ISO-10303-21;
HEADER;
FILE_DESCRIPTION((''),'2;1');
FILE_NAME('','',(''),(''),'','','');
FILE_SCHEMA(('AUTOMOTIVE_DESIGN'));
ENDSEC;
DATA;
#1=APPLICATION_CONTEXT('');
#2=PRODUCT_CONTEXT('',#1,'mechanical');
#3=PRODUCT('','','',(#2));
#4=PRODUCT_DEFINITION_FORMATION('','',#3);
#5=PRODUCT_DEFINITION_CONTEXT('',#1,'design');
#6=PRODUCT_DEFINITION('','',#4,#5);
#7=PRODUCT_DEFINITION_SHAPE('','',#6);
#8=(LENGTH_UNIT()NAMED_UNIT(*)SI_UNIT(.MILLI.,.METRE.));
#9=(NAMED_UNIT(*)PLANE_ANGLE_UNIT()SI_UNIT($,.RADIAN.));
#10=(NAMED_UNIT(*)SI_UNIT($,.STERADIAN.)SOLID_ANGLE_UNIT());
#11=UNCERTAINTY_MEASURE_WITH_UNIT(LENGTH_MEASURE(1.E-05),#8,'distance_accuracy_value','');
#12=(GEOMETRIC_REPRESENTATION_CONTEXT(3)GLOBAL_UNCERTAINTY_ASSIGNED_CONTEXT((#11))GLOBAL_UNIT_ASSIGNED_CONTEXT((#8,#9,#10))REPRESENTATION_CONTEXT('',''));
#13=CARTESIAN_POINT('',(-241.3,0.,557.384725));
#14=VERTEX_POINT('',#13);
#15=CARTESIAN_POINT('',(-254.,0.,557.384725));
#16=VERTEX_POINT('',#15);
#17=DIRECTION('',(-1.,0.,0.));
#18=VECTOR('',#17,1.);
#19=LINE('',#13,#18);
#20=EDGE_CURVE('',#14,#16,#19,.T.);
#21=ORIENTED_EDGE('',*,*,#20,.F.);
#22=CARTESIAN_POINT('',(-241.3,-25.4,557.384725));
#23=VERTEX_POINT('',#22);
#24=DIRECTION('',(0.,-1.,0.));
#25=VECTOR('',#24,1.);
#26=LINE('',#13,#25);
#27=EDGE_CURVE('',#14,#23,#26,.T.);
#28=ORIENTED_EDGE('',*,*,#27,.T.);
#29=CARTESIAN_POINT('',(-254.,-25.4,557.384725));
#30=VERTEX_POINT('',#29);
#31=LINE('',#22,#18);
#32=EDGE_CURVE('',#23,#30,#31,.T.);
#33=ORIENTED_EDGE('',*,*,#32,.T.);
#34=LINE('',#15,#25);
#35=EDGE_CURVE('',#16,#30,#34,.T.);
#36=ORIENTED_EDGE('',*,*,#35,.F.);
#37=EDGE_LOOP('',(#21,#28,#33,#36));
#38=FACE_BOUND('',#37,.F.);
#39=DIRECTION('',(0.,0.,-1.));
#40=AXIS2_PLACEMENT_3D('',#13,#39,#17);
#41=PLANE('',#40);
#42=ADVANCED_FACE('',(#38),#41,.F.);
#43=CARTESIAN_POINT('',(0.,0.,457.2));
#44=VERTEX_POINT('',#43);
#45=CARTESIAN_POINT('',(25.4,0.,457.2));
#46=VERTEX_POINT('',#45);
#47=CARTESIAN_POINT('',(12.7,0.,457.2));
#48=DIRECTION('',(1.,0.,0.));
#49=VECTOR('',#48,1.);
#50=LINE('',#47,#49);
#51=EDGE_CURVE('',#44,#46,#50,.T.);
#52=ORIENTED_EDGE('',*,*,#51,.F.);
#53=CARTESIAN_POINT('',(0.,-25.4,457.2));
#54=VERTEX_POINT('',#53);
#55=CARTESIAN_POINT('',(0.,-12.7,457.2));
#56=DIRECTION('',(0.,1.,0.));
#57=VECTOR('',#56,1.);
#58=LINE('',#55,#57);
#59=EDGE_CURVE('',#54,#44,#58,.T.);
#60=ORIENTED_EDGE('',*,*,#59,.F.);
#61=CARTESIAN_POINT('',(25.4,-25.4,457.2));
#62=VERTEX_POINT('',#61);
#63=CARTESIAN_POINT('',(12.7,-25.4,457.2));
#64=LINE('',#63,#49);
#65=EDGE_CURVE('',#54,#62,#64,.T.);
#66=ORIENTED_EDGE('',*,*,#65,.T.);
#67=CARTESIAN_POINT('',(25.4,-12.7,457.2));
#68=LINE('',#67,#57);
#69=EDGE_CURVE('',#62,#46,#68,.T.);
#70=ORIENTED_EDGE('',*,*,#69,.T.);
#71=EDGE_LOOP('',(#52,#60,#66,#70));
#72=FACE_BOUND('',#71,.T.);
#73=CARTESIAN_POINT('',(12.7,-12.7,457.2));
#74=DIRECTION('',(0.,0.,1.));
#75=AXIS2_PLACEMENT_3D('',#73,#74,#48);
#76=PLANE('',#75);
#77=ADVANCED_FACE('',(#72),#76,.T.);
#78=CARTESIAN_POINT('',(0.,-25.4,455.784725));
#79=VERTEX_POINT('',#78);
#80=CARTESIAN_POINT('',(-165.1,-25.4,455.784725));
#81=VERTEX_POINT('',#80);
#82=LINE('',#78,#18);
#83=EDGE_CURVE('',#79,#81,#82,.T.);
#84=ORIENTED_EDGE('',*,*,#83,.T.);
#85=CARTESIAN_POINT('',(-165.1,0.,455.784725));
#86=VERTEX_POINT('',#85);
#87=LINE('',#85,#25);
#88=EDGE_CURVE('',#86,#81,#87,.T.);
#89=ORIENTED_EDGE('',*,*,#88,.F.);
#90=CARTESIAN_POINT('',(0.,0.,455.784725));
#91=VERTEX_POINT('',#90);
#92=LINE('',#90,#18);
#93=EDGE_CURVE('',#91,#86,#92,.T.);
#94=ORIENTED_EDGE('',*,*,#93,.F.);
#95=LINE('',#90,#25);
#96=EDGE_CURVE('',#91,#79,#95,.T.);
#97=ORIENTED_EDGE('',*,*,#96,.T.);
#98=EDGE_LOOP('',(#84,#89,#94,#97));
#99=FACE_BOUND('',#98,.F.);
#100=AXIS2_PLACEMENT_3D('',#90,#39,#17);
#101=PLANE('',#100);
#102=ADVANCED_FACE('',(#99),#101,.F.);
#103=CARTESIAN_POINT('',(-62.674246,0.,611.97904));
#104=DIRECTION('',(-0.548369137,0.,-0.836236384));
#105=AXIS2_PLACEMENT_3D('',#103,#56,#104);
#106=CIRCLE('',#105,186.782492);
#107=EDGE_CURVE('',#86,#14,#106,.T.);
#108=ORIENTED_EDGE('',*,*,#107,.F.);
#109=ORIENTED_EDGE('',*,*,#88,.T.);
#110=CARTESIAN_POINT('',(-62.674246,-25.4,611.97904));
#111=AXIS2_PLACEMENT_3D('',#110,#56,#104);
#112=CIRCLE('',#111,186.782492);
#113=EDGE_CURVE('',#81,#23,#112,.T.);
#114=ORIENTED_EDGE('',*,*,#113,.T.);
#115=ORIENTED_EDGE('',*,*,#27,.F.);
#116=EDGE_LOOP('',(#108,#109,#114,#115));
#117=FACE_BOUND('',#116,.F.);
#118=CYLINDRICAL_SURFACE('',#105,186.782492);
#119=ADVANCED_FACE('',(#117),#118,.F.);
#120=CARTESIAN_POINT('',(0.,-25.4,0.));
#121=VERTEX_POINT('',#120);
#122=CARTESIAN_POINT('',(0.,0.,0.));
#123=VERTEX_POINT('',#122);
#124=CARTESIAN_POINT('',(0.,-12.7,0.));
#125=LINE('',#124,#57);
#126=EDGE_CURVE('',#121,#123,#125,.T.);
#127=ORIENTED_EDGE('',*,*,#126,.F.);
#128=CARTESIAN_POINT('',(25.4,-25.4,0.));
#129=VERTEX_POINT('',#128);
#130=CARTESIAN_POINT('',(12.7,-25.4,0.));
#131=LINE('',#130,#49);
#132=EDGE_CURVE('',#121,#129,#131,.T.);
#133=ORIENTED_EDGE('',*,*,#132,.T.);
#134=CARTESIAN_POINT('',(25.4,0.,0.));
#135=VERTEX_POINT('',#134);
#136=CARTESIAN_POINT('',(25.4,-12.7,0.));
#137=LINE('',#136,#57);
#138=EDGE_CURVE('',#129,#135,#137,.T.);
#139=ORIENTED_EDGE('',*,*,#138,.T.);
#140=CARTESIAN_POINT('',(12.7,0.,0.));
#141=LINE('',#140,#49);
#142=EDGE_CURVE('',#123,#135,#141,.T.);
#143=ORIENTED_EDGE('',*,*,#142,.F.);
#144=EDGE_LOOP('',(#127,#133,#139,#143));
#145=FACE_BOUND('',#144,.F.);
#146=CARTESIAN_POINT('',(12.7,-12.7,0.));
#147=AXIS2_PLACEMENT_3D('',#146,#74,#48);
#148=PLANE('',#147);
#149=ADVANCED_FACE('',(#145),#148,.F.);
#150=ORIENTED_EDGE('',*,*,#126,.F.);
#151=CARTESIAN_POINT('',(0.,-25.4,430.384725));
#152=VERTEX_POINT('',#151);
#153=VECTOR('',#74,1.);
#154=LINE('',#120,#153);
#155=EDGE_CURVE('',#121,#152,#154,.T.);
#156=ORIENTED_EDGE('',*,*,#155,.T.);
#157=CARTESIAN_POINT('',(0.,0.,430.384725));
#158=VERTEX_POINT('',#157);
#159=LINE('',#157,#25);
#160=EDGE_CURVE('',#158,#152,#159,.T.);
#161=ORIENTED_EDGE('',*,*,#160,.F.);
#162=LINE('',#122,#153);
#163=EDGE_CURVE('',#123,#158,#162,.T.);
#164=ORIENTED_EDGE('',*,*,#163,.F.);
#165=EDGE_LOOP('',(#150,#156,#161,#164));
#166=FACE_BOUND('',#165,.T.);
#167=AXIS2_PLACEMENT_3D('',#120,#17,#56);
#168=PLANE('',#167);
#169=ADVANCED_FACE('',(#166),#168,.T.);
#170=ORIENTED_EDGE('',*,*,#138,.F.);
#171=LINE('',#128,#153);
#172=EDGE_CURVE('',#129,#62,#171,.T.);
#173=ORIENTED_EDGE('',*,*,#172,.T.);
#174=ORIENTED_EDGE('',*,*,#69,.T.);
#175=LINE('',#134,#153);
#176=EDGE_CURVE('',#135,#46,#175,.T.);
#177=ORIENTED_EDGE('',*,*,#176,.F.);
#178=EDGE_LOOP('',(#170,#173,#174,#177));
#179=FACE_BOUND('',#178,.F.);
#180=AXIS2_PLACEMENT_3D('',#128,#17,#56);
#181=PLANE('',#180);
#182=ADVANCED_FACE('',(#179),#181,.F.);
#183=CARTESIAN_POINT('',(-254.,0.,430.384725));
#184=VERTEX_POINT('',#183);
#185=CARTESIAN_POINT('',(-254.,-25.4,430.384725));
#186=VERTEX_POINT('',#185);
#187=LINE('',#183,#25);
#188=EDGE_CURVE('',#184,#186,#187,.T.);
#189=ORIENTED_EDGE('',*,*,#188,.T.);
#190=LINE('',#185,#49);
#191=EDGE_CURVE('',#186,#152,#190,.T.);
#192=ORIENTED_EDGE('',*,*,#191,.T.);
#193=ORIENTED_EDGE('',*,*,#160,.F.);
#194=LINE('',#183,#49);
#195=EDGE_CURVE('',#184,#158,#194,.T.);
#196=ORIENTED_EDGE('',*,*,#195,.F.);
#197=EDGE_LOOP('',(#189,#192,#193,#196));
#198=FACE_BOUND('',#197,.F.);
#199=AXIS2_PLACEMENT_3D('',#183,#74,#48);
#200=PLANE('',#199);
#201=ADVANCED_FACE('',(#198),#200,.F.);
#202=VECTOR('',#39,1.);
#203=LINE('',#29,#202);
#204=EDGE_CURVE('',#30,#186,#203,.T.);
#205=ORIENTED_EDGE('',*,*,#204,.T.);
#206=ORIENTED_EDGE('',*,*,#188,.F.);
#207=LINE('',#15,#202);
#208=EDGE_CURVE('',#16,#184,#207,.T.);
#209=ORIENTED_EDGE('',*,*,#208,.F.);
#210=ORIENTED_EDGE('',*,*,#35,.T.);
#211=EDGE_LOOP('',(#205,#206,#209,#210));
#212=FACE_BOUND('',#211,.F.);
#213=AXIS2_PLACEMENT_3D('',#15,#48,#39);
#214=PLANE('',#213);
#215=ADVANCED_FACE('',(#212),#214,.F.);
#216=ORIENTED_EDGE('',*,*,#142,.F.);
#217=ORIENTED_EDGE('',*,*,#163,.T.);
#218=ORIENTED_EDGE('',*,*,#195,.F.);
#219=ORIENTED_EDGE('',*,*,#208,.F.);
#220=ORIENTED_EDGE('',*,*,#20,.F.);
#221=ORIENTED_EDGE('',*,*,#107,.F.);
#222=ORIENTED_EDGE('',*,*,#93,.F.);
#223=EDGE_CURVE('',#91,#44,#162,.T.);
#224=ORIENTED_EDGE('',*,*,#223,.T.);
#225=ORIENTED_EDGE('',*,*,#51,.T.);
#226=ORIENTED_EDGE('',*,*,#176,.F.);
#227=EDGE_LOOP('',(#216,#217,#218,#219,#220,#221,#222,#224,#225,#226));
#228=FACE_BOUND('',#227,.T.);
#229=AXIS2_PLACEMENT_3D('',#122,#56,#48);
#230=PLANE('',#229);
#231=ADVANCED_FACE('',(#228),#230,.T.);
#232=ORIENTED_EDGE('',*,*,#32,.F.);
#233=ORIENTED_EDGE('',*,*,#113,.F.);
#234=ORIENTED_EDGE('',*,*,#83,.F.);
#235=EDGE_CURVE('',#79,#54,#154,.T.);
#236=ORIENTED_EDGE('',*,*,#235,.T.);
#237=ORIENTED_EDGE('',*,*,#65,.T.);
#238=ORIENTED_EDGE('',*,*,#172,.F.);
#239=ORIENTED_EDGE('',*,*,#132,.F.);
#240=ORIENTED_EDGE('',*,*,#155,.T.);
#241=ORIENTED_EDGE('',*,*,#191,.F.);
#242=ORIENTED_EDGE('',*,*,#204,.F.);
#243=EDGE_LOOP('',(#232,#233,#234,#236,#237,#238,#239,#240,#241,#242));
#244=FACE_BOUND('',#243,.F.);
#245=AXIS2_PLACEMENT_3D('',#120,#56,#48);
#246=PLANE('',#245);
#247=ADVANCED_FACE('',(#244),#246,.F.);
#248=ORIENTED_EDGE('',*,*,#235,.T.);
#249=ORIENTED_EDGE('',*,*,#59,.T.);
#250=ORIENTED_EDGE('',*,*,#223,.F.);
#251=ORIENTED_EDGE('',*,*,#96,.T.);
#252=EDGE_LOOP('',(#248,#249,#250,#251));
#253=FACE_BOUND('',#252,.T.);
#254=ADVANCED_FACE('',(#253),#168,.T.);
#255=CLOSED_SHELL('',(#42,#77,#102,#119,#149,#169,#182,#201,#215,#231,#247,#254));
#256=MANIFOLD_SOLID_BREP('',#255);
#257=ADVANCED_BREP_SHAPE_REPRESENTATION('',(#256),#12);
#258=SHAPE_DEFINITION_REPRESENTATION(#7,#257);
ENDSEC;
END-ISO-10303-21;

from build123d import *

# Parameters (mm, degrees)
F0_W     = 25.4
F0_H     = 25.4
F1_DEPTH = 457.2
F3_DEPTH = 25.4


with BuildPart() as f1:
    # F0 (on Top) → F1 (new body)
    with BuildSketch(Plane.XY):
        with Locations((12.7, -12.7)):
            Rectangle(F0_W, F0_H)
    extrude(amount=F1_DEPTH)

    # F2 (on Front) → F3 (join)
    with BuildSketch(Plane.XZ):
        with BuildLine():
            Line((0, 430.384725), (0, 455.784725))
            Line((0, 455.784725), (-165.1, 455.784725))
            ThreePointArc((-165.1, 455.784725), (-212.10024, 499.909546), (-241.3, 557.384725))
            Line((-241.3, 557.384725), (-254, 557.384725))
            Line((-254, 557.384725), (-254, 430.384725))
            Line((-254, 430.384725), (0, 430.384725))
        make_face()
    extrude(amount=F3_DEPTH)


solid = f1.part
